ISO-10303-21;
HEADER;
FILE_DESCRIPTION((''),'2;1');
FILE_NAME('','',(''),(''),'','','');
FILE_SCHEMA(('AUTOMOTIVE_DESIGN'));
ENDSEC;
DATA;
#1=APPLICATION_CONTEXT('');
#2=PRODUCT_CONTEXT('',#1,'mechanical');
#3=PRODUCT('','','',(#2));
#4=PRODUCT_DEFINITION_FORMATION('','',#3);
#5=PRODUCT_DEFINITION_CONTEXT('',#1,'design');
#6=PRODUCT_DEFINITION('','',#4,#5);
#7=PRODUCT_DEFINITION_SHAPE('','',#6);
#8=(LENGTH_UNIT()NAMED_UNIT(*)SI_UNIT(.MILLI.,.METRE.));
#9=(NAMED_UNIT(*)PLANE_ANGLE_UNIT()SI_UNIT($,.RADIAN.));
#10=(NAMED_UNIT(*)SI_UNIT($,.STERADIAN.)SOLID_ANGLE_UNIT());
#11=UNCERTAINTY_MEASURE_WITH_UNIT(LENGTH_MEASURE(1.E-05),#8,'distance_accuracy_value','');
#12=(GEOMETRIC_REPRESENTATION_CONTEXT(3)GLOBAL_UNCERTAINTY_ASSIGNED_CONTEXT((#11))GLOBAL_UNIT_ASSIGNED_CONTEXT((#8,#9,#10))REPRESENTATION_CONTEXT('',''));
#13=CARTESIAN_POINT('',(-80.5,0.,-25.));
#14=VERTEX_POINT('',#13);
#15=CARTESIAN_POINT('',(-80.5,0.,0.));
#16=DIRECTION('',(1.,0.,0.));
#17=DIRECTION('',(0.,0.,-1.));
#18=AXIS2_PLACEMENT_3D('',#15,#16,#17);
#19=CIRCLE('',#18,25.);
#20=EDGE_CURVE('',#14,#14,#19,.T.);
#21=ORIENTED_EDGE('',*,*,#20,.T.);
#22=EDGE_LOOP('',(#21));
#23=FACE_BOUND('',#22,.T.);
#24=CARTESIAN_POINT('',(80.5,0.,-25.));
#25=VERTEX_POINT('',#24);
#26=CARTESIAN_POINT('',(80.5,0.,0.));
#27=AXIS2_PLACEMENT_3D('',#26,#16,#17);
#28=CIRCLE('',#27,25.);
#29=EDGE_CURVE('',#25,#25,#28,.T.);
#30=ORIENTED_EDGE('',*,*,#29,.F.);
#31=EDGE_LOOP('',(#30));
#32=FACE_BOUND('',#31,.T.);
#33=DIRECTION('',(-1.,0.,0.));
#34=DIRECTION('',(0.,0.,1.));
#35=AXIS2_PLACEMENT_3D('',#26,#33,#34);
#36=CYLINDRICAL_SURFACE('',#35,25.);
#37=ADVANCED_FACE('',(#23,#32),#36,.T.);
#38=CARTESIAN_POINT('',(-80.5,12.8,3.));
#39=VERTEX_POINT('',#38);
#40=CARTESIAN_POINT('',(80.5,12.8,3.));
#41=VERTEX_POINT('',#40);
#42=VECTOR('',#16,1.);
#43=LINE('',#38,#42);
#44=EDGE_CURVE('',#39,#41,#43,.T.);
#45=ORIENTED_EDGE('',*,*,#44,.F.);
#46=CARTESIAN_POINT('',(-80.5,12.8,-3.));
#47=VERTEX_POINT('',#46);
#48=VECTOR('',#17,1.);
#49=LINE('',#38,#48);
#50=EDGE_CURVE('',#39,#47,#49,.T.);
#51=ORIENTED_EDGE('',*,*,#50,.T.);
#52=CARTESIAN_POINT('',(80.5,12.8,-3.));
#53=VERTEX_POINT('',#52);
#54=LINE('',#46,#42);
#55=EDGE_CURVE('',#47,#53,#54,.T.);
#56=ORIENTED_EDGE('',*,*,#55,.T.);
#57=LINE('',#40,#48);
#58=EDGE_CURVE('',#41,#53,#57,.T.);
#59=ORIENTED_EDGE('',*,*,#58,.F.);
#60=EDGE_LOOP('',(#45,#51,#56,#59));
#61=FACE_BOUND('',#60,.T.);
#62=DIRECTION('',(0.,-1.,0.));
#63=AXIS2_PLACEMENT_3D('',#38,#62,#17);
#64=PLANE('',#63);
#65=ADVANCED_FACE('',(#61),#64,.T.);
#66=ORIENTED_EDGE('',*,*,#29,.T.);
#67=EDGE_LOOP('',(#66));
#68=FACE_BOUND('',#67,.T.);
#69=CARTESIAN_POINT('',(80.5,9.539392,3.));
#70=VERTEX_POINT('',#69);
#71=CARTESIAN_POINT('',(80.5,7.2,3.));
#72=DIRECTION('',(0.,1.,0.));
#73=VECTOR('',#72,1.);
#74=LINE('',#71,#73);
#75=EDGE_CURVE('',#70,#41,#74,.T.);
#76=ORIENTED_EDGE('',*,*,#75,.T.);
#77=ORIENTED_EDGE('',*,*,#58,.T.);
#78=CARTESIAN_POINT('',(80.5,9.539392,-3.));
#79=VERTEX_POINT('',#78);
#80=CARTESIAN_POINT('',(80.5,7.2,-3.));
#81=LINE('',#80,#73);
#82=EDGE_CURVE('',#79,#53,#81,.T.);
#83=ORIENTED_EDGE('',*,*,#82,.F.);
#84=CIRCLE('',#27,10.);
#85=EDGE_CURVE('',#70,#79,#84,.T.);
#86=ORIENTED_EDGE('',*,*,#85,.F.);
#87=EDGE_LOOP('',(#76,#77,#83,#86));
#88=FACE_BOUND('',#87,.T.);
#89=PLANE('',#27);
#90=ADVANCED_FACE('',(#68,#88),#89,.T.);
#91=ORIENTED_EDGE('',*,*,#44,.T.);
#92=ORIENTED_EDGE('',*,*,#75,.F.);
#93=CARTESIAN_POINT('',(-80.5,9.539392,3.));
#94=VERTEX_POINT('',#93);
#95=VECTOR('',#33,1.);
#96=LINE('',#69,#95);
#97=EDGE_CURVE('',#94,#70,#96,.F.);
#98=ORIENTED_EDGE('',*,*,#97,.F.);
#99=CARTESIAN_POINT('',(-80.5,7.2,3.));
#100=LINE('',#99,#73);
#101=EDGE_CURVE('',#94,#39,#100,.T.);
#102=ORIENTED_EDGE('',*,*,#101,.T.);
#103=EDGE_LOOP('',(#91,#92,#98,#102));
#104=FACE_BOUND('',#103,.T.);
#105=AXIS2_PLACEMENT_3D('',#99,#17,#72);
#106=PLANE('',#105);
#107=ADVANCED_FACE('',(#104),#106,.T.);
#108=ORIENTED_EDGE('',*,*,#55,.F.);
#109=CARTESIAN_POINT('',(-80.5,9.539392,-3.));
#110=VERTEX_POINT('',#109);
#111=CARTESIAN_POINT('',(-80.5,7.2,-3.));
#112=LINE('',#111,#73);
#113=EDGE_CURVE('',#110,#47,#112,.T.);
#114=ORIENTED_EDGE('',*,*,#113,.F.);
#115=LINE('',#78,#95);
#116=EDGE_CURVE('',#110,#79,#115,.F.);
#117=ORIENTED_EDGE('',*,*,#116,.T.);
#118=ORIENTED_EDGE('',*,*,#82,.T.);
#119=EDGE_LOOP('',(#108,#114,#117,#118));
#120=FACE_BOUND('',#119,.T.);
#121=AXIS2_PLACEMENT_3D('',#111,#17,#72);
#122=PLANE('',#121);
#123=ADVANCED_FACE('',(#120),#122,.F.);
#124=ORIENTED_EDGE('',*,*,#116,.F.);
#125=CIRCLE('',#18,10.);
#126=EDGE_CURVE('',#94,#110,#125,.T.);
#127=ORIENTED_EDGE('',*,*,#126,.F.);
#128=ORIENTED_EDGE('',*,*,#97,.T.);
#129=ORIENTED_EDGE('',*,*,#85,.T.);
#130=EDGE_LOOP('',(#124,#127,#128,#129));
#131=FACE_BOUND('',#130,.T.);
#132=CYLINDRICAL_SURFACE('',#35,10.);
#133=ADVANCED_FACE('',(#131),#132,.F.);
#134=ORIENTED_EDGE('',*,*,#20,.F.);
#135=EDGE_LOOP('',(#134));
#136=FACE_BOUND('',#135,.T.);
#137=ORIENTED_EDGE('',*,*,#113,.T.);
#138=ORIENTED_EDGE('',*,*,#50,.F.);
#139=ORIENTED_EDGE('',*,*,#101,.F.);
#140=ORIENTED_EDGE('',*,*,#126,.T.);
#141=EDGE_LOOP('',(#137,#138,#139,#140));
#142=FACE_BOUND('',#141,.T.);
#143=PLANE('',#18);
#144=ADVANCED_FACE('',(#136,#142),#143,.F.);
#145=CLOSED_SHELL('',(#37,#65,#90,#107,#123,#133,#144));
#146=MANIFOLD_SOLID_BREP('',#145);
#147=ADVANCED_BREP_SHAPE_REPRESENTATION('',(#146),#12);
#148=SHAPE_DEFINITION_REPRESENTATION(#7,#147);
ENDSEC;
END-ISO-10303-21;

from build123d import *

# Parameters (mm, degrees)
IZIM1_R                     = 25
IZIM1_R_2                   = 10
Y_KSEKLIK_EKSTR_ZYON1_DEPTH = 80.5
IZIM3_W                     = 6
IZIM3_H                     = 5.6
KES_EKSTR_ZYON1_DEPTH       = 80.5


with BuildPart() as part:
    # Çizim1 → Yükseklik-Ekstrüzyon1 (new, symmetric)
    with BuildSketch(Plane(origin=(0, 0, 0), x_dir=(0, 0, -1), z_dir=(1, 0, 0))):
        Circle(IZIM1_R)
        Circle(IZIM1_R_2, mode=Mode.SUBTRACT)
    extrude(amount=Y_KSEKLIK_EKSTR_ZYON1_DEPTH, both=True)

    # Çizim3 → Kes-Ekstrüzyon1 (cut, symmetric)
    with BuildSketch(Plane(origin=(0, 0, 0), x_dir=(0, 0, -1), z_dir=(1, 0, 0))):
        with Locations((0, 10)):
            Rectangle(IZIM3_W, IZIM3_H)
    extrude(amount=KES_EKSTR_ZYON1_DEPTH, both=True, mode=Mode.SUBTRACT)


solid = part.part
